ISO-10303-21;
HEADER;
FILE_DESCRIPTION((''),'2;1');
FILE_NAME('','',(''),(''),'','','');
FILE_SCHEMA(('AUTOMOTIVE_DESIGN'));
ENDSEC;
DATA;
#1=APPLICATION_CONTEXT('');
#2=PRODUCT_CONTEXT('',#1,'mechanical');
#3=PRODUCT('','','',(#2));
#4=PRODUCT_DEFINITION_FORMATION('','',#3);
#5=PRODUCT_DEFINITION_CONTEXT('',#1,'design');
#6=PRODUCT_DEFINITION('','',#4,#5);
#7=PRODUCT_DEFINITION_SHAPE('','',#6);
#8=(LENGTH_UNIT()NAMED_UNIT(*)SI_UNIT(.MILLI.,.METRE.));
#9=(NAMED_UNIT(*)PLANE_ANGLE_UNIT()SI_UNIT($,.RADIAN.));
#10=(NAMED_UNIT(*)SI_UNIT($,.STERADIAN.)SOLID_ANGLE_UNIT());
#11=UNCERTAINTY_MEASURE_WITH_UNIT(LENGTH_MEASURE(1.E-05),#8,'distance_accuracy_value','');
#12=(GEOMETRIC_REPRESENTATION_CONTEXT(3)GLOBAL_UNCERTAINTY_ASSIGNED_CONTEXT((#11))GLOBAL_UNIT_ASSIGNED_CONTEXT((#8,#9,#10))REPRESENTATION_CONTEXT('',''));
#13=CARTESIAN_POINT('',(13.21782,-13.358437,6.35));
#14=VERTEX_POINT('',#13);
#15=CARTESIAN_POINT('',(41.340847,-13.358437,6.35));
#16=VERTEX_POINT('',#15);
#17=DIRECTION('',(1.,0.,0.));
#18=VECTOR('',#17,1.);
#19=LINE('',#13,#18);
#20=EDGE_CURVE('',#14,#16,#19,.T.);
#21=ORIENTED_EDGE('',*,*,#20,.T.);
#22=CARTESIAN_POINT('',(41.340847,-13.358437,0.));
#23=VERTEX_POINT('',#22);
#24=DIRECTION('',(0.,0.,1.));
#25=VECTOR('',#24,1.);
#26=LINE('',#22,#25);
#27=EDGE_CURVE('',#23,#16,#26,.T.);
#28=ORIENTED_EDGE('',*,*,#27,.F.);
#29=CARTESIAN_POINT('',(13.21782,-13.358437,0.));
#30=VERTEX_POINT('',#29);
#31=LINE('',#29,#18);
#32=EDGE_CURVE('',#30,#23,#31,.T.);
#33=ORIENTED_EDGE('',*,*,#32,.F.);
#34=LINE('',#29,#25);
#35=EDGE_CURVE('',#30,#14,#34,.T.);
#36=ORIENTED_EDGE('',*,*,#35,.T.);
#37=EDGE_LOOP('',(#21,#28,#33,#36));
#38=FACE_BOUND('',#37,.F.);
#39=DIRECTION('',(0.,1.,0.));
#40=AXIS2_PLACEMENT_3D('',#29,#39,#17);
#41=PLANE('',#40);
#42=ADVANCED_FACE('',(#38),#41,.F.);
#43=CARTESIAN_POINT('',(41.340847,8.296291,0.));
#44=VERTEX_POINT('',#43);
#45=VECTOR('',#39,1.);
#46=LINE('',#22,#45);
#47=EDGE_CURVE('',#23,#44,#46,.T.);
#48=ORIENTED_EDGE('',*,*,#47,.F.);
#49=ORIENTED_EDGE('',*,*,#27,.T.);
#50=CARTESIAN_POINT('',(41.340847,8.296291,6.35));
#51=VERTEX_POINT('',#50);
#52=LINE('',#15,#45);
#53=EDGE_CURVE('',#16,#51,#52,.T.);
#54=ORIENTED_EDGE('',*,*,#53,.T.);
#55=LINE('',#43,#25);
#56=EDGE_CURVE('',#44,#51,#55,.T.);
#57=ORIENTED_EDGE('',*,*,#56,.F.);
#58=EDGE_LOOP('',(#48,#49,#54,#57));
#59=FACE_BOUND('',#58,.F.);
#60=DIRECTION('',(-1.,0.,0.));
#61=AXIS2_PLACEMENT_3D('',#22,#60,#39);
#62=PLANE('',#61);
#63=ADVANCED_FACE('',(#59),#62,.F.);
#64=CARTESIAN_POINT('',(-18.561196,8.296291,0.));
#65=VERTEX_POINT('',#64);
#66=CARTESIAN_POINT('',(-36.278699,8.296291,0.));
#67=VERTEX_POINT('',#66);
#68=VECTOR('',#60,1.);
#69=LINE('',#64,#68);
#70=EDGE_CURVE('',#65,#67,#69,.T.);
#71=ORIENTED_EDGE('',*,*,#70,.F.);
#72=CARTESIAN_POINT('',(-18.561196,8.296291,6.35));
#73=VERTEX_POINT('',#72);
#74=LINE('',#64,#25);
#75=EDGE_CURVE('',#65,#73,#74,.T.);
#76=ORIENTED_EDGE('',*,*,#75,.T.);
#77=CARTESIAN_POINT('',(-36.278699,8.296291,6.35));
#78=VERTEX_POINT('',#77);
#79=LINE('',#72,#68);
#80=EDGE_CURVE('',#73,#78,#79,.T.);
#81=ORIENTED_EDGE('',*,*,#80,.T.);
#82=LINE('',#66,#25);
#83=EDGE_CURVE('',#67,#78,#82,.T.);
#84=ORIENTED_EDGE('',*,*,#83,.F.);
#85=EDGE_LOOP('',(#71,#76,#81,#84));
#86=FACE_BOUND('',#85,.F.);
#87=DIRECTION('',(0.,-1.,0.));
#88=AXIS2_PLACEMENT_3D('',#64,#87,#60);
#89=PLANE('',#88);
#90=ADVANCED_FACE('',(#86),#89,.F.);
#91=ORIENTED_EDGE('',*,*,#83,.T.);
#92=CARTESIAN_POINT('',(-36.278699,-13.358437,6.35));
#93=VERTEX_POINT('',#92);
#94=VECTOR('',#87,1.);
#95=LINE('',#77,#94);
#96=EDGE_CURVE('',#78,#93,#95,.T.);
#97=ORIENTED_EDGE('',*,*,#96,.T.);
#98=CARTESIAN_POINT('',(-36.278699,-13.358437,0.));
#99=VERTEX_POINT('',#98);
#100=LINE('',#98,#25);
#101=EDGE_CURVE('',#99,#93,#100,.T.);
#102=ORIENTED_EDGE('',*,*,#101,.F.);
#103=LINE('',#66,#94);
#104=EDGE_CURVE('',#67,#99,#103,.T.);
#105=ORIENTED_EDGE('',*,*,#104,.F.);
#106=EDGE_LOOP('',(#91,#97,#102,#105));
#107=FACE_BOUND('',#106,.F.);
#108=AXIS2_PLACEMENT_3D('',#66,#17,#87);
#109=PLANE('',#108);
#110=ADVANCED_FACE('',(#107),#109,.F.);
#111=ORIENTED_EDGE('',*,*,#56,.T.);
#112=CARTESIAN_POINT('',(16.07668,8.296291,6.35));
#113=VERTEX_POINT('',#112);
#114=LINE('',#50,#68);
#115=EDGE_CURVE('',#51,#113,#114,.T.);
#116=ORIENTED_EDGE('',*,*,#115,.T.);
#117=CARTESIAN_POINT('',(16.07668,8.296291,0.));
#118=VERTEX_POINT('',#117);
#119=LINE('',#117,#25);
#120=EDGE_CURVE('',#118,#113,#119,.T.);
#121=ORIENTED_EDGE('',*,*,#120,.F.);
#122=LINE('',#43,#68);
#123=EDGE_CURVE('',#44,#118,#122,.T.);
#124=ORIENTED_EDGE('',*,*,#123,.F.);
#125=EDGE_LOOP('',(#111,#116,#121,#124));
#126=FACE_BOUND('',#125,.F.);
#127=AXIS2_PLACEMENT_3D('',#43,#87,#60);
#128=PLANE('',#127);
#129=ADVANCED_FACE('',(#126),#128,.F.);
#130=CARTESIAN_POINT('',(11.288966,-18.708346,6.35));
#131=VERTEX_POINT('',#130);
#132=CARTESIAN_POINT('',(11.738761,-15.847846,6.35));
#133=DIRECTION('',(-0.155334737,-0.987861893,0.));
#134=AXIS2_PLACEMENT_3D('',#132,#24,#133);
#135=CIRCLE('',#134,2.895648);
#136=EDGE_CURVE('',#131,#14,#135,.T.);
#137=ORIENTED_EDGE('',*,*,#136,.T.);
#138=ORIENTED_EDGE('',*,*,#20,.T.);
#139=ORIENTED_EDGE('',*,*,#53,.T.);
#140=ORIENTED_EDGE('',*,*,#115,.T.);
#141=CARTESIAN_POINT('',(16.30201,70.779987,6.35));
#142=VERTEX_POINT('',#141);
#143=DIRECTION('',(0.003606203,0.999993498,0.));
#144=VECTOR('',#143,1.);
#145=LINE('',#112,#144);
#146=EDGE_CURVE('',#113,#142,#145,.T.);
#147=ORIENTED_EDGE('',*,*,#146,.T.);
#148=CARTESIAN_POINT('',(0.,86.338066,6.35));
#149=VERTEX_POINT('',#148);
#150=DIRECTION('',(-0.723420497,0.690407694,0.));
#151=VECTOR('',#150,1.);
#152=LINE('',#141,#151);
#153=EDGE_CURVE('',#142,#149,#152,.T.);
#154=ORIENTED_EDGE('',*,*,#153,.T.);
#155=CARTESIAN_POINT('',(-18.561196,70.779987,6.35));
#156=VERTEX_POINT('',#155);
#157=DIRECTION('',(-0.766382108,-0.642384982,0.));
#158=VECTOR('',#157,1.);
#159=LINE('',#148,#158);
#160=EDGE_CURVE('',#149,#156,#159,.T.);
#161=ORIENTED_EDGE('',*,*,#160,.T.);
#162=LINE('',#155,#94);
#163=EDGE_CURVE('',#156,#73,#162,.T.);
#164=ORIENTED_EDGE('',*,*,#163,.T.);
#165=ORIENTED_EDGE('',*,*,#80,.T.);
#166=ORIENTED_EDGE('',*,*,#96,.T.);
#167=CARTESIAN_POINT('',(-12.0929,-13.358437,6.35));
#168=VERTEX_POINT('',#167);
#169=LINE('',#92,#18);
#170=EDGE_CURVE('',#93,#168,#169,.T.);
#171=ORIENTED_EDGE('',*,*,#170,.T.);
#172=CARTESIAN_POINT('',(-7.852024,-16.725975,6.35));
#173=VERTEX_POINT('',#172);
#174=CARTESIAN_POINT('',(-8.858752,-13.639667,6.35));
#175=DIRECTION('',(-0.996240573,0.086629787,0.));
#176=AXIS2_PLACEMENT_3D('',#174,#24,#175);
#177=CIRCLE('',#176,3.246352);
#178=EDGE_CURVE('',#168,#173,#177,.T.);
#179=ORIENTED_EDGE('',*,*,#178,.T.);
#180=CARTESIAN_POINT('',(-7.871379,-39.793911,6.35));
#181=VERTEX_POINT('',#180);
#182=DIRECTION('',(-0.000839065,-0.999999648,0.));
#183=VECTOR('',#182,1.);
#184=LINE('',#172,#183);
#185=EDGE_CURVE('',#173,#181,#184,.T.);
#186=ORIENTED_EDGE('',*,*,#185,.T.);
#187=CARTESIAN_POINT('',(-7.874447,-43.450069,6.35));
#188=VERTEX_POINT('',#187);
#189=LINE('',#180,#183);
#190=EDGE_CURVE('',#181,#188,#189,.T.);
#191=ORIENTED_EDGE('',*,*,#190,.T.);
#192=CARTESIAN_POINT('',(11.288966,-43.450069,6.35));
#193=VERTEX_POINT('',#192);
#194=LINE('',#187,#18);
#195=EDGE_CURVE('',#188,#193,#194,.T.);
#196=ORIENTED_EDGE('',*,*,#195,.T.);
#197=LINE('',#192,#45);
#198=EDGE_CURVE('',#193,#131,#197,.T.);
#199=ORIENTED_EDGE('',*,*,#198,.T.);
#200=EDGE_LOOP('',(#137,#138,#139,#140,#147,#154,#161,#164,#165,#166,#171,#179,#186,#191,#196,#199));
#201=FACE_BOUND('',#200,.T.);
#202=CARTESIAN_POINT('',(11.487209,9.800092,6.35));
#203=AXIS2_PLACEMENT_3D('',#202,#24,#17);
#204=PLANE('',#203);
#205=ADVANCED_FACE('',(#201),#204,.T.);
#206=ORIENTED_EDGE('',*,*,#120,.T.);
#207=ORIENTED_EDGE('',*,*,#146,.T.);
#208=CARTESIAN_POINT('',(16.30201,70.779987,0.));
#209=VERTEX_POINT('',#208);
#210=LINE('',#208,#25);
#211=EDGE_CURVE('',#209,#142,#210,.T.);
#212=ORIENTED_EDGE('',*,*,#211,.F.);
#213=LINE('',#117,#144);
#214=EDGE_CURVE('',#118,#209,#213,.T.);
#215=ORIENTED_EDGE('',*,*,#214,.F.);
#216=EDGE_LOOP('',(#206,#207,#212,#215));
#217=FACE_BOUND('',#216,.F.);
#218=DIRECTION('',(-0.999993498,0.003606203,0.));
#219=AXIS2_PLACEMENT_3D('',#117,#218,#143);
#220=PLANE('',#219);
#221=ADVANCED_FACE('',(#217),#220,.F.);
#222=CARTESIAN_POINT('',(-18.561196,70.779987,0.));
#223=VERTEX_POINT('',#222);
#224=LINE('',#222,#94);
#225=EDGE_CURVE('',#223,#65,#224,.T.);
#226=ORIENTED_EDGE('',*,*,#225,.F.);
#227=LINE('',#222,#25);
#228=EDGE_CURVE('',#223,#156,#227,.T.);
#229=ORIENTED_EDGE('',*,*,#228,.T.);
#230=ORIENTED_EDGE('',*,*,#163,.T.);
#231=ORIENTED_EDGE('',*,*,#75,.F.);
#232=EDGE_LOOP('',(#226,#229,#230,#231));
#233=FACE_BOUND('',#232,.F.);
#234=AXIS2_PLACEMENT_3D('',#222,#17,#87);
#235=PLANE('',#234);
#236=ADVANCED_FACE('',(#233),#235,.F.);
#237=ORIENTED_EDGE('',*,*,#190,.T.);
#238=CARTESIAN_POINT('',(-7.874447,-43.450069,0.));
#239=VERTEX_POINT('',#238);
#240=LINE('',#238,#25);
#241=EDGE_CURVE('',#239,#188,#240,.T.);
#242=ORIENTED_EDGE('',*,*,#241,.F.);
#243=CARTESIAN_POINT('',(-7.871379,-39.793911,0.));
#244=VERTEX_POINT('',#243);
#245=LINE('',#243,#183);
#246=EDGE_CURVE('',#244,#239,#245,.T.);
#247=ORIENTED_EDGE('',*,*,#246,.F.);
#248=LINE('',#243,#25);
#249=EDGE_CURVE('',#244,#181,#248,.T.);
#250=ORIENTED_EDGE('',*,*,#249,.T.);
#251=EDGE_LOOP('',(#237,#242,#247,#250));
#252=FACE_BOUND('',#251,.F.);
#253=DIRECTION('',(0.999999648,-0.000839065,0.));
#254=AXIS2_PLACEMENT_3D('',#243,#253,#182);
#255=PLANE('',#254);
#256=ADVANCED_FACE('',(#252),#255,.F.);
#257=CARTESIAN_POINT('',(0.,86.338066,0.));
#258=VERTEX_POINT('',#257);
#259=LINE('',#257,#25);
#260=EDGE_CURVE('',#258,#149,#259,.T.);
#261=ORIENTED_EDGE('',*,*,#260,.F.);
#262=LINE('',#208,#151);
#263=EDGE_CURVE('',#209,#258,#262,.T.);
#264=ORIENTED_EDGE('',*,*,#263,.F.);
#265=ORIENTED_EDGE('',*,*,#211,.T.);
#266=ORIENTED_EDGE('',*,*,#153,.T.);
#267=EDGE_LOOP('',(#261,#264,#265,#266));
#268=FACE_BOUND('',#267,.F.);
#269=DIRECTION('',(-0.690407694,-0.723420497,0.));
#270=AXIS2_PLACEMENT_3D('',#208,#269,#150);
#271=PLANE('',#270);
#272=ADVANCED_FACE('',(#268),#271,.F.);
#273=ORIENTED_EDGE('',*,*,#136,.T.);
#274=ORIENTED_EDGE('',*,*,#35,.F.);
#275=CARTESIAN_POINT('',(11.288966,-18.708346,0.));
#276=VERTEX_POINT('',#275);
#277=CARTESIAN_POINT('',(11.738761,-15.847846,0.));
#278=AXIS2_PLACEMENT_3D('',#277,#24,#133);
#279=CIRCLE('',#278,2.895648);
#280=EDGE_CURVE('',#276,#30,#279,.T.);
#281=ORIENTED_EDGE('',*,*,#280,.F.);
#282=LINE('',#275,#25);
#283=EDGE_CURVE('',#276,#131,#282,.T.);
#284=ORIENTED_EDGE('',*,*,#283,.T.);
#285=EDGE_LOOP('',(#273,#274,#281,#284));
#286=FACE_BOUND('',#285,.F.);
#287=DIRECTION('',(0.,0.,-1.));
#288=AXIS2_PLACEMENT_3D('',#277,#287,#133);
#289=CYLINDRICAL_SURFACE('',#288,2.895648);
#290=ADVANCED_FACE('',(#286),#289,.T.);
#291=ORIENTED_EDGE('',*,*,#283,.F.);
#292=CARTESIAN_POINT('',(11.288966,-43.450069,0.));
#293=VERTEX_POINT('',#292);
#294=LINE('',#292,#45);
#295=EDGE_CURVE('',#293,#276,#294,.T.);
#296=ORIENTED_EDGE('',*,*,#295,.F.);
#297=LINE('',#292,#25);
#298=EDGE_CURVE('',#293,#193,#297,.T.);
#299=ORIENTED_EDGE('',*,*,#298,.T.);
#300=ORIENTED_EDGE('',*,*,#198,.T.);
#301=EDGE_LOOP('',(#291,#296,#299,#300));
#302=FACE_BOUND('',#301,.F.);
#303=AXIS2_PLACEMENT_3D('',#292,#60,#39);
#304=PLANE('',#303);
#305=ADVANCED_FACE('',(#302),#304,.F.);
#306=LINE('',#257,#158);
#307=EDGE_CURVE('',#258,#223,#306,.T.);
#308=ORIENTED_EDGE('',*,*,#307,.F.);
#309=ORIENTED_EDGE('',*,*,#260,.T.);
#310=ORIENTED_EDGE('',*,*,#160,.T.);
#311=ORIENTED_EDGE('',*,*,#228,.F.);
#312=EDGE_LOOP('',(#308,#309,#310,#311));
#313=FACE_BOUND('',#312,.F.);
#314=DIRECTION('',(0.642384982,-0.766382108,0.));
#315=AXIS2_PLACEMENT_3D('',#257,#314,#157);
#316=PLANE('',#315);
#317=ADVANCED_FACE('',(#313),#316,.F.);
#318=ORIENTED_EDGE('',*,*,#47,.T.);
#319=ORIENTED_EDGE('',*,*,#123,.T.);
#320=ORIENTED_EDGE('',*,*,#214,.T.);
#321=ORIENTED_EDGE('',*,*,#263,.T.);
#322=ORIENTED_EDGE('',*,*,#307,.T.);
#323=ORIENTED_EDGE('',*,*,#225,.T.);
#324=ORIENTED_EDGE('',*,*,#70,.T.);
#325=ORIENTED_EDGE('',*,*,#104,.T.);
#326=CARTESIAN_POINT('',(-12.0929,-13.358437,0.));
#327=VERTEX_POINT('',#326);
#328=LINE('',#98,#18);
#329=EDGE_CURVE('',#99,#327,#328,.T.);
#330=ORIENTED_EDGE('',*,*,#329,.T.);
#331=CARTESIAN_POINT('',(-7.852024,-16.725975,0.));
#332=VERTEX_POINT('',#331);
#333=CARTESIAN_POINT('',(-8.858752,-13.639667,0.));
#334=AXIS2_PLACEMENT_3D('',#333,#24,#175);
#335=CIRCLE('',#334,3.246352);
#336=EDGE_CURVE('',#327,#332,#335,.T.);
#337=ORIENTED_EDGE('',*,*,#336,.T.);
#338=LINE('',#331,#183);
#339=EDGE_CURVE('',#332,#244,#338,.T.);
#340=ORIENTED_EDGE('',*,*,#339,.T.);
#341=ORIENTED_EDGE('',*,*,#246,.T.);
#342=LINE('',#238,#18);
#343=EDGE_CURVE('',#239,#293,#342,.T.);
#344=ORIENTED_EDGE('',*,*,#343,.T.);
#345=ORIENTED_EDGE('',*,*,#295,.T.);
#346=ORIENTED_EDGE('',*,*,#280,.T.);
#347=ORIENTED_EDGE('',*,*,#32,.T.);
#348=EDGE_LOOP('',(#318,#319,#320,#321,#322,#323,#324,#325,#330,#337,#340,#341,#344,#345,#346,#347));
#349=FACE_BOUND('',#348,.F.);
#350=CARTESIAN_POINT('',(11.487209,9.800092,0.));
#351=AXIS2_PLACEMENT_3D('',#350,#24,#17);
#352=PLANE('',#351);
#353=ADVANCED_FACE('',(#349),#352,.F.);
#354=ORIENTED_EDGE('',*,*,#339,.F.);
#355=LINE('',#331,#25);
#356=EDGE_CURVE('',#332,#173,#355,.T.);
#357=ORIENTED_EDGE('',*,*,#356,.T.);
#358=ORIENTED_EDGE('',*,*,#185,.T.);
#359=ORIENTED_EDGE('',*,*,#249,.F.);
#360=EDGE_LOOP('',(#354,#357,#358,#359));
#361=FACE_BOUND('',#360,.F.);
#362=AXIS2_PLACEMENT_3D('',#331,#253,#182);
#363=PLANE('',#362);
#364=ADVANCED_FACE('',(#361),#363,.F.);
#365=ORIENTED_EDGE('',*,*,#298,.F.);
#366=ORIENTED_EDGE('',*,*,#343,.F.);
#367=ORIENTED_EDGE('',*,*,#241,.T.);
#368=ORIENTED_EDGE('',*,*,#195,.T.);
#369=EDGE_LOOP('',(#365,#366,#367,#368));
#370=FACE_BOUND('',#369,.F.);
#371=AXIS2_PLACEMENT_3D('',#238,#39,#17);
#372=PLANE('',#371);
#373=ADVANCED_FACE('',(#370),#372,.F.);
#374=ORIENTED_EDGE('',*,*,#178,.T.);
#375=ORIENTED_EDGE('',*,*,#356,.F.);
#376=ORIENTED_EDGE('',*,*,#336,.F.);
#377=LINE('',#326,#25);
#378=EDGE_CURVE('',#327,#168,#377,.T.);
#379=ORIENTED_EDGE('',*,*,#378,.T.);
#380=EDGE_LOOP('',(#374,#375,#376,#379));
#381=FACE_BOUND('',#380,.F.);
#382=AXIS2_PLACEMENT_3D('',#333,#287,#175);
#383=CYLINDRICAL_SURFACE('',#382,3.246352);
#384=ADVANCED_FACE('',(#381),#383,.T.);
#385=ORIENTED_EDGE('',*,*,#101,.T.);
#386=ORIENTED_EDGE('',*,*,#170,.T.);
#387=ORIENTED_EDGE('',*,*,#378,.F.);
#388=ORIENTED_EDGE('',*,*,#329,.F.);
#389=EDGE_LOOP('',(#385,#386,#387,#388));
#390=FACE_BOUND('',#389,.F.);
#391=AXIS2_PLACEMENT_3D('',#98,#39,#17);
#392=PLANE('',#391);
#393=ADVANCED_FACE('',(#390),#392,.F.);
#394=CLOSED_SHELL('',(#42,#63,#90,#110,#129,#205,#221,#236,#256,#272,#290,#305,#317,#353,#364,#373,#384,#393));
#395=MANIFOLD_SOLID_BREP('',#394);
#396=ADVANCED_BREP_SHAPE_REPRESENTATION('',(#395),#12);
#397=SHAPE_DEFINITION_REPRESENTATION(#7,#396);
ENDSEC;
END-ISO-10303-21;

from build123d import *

# Parameters (mm, degrees)
F1_DEPTH = 6.35


with BuildPart() as f1:
    # F0 (on Top) → F1 (new body)
    with BuildSketch(Plane.XY):
        with BuildLine():
            Line((11.2930470291, 11.6638336243), (11.2889658673, 8.2962913439))
            Line((11.2889658673, 8.2962913439), (12.0783096254, 8.2962913439))
            ThreePointArc((12.0783096254, 8.2962913439), (11.597122228, 9.9594124709), (11.2930470291, 11.6638336243))
        make_face()
        with BuildLine():
            ThreePointArc((37.3601643932, 8.2962913439), (38.2870822741, 3.6378996321), (41.3408465683, 0))
            Line((41.3408465683, 0), (41.3408465683, 8.2962913439))
            Line((41.3408465683, 8.2962913439), (37.3601643932, 8.2962913439))
        make_face()
        Polygon((-2.8123026714, 44.2937612534), (-2.8123026714, 8.2962913439), (4.7809146345, 8.2962913439), (4.2298541355, 62.0834718136), (0, 65.1047974825), (-2.8123026714, 61.1675754189), (-2.8123026714, 51.8869794905), align=None)
        with BuildLine():
            Line((-10.813491419, 44.2937612534), (-10.8399443516, 12.7670755447))
            ThreePointArc((-10.8399443516, 12.7670755447), (-7.807634986, 11.5598221537), (-7.8491980914, 8.2962913439))
            Line((-7.8491980914, 8.2962913439), (-2.8123026714, 8.2962913439))
            Line((-2.8123026714, 8.2962913439), (-2.8123026714, 44.2937612534))
            Line((-2.8123026714, 44.2937612534), (-2.8123026714, 51.8869794905))
            Line((-2.8123026714, 51.8869794905), (-2.8123026714, 61.1675754189))
            Line((-2.8123026714, 61.1675754189), (0, 65.1047974825))
            Line((0, 65.1047974825), (4.2298541355, 62.0834718136))
            Line((4.2298541355, 62.0834718136), (4.7809146345, 8.2962913439))
            Line((4.7809146345, 8.2962913439), (7.9583702463, 8.2962913439))
            ThreePointArc((7.9583702463, 8.2962913439), (8.7402628967, 10.8568667256), (11.2930470291, 11.6638336243))
            Line((11.2930470291, 11.6638336243), (11.3227786668, 36.1966877298))
            Line((11.3227786668, 36.1966877298), (11.3565914662, 64.0970841157))
            Line((11.3565914662, 64.0970841157), (0, 76.3540118933))
            Line((0, 76.3540118933), (-10.813491419, 66.3348287344))
            Line((-10.813491419, 66.3348287344), (-10.813491419, 44.2937612534))
        make_face()
        with BuildLine():
            Line((-7.8520236744, -16.7259749874), (-7.8491980914, -13.3584365249))
            Line((-7.8491980914, -13.3584365249), (-12.0928995311, -13.3584365249))
            ThreePointArc((-12.0928995311, -13.3584365249), (-10.8775211038, -16.1819833799), (-7.8520236744, -16.7259749874))
        make_face()
        with BuildLine():
            ThreePointArc((11.2889658673, -38.08565063), (8.4977328176, -40.3265486279), (6.7495256662, -43.4500686824))
            Line((6.7495256662, -43.4500686824), (11.2889658673, -43.4500686824))
            Line((11.2889658673, -43.4500686824), (11.2889658673, -38.08565063))
        make_face()
        with BuildLine():
            Line((11.2889658673, -13.3584365249), (11.2889658673, -18.7083456713))
            ThreePointArc((11.2889658673, -18.7083456713), (14.4627701422, -16.8299590512), (13.2178198546, -13.3584365249))
            Line((13.2178198546, -13.3584365249), (11.2889658673, -13.3584365249))
        make_face()
        with BuildLine():
            ThreePointArc((41.3408465683, -8.0150617286), (38.6442879923, -10.0493741157), (37.9660837352, -13.3584365249))
            Line((37.9660837352, -13.3584365249), (41.3408465683, -13.3584365249))
            Line((41.3408465683, -13.3584365249), (41.3408465683, -8.0150617286))
        make_face()
        with BuildLine():
            Line((-10.8399443516, 12.7670755447), (-10.8436956293, 8.2962913439))
            Line((-10.8436956293, 8.2962913439), (-10.813491419, 8.2962913439))
            Line((-10.813491419, 8.2962913439), (-7.8491980914, 8.2962913439))
            ThreePointArc((-7.8491980914, 8.2962913439), (-7.807634986, 11.5598221537), (-10.8399443516, 12.7670755447))
        make_face()
        with BuildLine():
            ThreePointArc((-5.6246044114, -43.4500686824), (-5.6592907147, -40.9529633104), (-7.8713791675, -39.793910656))
            Line((-7.8713791675, -39.793910656), (-7.8744469211, -43.4500686824))
            Line((-7.8744469211, -43.4500686824), (-5.6246044114, -43.4500686824))
        make_face()
        with BuildLine():
            ThreePointArc((11.2930470291, 11.6638336243), (8.7402628967, 10.8568667256), (7.9583702463, 8.2962913439))
            Line((7.9583702463, 8.2962913439), (11.2889658673, 8.2962913439))
            Line((11.2889658673, 8.2962913439), (11.2930470291, 11.6638336243))
        make_face()
        with BuildLine():
            Line((-12.0928995311, -13.3584365249), (-7.8491980914, -13.3584365249))
            Line((-7.8491980914, -13.3584365249), (-7.8520236744, -16.7259749874))
            Line((-7.8520236744, -16.7259749874), (-7.8713791675, -39.793910656))
            ThreePointArc((-7.8713791675, -39.793910656), (-5.6592907147, -40.9529633104), (-5.6246044114, -43.4500686824))
            Line((-5.6246044114, -43.4500686824), (6.7495256662, -43.4500686824))
            ThreePointArc((6.7495256662, -43.4500686824), (8.4977328176, -40.3265486279), (11.2889658673, -38.08565063))
            Line((11.2889658673, -38.08565063), (11.2889658673, -18.7083456713))
            Line((11.2889658673, -18.7083456713), (11.2889658673, -13.3584365249))
            Line((11.2889658673, -13.3584365249), (13.2178198546, -13.3584365249))
            Line((13.2178198546, -13.3584365249), (37.9660837352, -13.3584365249))
            ThreePointArc((37.9660837352, -13.3584365249), (38.6442879923, -10.0493741157), (41.3408465683, -8.0150617286))
            Line((41.3408465683, -8.0150617286), (41.3408465683, 0))
            ThreePointArc((41.3408465683, 0), (38.2870822741, 3.6378996321), (37.3601643932, 8.2962913439))
            Line((37.3601643932, 8.2962913439), (31.7790135741, 8.2962913439))
            Line((31.7790135741, 8.2962913439), (17.8106164583, 8.2962913439))
            Line((17.8106164583, 8.2962913439), (16.0766797152, 8.2962913439))
            Line((16.0766797152, 8.2962913439), (14.3427429721, 8.2962913439))
            Line((14.3427429721, 8.2962913439), (12.0783096254, 8.2962913439))
            Line((12.0783096254, 8.2962913439), (11.2889658673, 8.2962913439))
            Line((11.2889658673, 8.2962913439), (7.9583702463, 8.2962913439))
            Line((7.9583702463, 8.2962913439), (4.7809146345, 8.2962913439))
            Line((4.7809146345, 8.2962913439), (-2.8123026714, 8.2962913439))
            Line((-2.8123026714, 8.2962913439), (-7.8491980914, 8.2962913439))
            Line((-7.8491980914, 8.2962913439), (-10.813491419, 8.2962913439))
            Line((-10.813491419, 8.2962913439), (-10.8436956293, 8.2962913439))
            Line((-10.8436956293, 8.2962913439), (-18.5611955822, 8.2962913439))
            Line((-18.5611955822, 8.2962913439), (-27.1387170069, 8.2962913439))
            Line((-27.1387170069, 8.2962913439), (-31.7087078001, 8.2962913439))
            ThreePointArc((-31.7087078001, 8.2962913439), (-32.9074253056, 5.0668217141), (-36.2786985934, 4.3590688147))
            Line((-36.2786985934, 4.3590688147), (-36.2786985934, -8.5775218904))
            ThreePointArc((-36.2786985934, -8.5775218904), (-33.5801197144, -10.4479621169), (-32.0602469146, -13.3584365249))
            Line((-32.0602469146, -13.3584365249), (-12.0928995311, -13.3584365249))
        make_face()
        with BuildLine():
            Line((-18.5611955822, 15.7010573894), (-18.5611955822, 8.2962913439))
            Line((-18.5611955822, 8.2962913439), (-10.8436956293, 8.2962913439))
            Line((-10.8436956293, 8.2962913439), (-10.8399443516, 12.7670755447))
            Line((-10.8399443516, 12.7670755447), (-10.813491419, 44.2937612534))
            Line((-10.813491419, 44.2937612534), (-10.813491419, 66.3348287344))
            Line((-10.813491419, 66.3348287344), (0, 76.3540118933))
            Line((0, 76.3540118933), (11.3565914662, 64.0970841157))
            Line((11.3565914662, 64.0970841157), (11.3227786668, 36.1966877298))
            Line((11.3227786668, 36.1966877298), (11.2930470291, 11.6638336243))
            ThreePointArc((11.2930470291, 11.6638336243), (11.597122228, 9.9594124709), (12.0783096254, 8.2962913439))
            Line((12.0783096254, 8.2962913439), (14.3427429721, 8.2962913439))
            Line((14.3427429721, 8.2962913439), (16.0766797152, 8.2962913439))
            Line((16.0766797152, 8.2962913439), (16.3020100445, 70.7799866796))
            Line((16.3020100445, 70.7799866796), (0, 86.3380655646))
            Line((0, 86.3380655646), (-18.5611955822, 70.7799866796))
            Line((-18.5611955822, 70.7799866796), (-18.5611955822, 15.7010573894))
        make_face()
        with BuildLine():
            Line((-36.2786985934, 8.2962913439), (-36.2786985934, 4.3590688147))
            ThreePointArc((-36.2786985934, 4.3590688147), (-32.9074253056, 5.0668217141), (-31.7087078001, 8.2962913439))
            Line((-31.7087078001, 8.2962913439), (-36.2786985934, 8.2962913439))
        make_face()
        with BuildLine():
            Line((-36.2786985934, -13.3584365249), (-32.0602469146, -13.3584365249))
            ThreePointArc((-32.0602469146, -13.3584365249), (-33.5801197144, -10.4479621169), (-36.2786985934, -8.5775218904))
            Line((-36.2786985934, -8.5775218904), (-36.2786985934, -13.3584365249))
        make_face()
    extrude(amount=F1_DEPTH)


solid = f1.part
